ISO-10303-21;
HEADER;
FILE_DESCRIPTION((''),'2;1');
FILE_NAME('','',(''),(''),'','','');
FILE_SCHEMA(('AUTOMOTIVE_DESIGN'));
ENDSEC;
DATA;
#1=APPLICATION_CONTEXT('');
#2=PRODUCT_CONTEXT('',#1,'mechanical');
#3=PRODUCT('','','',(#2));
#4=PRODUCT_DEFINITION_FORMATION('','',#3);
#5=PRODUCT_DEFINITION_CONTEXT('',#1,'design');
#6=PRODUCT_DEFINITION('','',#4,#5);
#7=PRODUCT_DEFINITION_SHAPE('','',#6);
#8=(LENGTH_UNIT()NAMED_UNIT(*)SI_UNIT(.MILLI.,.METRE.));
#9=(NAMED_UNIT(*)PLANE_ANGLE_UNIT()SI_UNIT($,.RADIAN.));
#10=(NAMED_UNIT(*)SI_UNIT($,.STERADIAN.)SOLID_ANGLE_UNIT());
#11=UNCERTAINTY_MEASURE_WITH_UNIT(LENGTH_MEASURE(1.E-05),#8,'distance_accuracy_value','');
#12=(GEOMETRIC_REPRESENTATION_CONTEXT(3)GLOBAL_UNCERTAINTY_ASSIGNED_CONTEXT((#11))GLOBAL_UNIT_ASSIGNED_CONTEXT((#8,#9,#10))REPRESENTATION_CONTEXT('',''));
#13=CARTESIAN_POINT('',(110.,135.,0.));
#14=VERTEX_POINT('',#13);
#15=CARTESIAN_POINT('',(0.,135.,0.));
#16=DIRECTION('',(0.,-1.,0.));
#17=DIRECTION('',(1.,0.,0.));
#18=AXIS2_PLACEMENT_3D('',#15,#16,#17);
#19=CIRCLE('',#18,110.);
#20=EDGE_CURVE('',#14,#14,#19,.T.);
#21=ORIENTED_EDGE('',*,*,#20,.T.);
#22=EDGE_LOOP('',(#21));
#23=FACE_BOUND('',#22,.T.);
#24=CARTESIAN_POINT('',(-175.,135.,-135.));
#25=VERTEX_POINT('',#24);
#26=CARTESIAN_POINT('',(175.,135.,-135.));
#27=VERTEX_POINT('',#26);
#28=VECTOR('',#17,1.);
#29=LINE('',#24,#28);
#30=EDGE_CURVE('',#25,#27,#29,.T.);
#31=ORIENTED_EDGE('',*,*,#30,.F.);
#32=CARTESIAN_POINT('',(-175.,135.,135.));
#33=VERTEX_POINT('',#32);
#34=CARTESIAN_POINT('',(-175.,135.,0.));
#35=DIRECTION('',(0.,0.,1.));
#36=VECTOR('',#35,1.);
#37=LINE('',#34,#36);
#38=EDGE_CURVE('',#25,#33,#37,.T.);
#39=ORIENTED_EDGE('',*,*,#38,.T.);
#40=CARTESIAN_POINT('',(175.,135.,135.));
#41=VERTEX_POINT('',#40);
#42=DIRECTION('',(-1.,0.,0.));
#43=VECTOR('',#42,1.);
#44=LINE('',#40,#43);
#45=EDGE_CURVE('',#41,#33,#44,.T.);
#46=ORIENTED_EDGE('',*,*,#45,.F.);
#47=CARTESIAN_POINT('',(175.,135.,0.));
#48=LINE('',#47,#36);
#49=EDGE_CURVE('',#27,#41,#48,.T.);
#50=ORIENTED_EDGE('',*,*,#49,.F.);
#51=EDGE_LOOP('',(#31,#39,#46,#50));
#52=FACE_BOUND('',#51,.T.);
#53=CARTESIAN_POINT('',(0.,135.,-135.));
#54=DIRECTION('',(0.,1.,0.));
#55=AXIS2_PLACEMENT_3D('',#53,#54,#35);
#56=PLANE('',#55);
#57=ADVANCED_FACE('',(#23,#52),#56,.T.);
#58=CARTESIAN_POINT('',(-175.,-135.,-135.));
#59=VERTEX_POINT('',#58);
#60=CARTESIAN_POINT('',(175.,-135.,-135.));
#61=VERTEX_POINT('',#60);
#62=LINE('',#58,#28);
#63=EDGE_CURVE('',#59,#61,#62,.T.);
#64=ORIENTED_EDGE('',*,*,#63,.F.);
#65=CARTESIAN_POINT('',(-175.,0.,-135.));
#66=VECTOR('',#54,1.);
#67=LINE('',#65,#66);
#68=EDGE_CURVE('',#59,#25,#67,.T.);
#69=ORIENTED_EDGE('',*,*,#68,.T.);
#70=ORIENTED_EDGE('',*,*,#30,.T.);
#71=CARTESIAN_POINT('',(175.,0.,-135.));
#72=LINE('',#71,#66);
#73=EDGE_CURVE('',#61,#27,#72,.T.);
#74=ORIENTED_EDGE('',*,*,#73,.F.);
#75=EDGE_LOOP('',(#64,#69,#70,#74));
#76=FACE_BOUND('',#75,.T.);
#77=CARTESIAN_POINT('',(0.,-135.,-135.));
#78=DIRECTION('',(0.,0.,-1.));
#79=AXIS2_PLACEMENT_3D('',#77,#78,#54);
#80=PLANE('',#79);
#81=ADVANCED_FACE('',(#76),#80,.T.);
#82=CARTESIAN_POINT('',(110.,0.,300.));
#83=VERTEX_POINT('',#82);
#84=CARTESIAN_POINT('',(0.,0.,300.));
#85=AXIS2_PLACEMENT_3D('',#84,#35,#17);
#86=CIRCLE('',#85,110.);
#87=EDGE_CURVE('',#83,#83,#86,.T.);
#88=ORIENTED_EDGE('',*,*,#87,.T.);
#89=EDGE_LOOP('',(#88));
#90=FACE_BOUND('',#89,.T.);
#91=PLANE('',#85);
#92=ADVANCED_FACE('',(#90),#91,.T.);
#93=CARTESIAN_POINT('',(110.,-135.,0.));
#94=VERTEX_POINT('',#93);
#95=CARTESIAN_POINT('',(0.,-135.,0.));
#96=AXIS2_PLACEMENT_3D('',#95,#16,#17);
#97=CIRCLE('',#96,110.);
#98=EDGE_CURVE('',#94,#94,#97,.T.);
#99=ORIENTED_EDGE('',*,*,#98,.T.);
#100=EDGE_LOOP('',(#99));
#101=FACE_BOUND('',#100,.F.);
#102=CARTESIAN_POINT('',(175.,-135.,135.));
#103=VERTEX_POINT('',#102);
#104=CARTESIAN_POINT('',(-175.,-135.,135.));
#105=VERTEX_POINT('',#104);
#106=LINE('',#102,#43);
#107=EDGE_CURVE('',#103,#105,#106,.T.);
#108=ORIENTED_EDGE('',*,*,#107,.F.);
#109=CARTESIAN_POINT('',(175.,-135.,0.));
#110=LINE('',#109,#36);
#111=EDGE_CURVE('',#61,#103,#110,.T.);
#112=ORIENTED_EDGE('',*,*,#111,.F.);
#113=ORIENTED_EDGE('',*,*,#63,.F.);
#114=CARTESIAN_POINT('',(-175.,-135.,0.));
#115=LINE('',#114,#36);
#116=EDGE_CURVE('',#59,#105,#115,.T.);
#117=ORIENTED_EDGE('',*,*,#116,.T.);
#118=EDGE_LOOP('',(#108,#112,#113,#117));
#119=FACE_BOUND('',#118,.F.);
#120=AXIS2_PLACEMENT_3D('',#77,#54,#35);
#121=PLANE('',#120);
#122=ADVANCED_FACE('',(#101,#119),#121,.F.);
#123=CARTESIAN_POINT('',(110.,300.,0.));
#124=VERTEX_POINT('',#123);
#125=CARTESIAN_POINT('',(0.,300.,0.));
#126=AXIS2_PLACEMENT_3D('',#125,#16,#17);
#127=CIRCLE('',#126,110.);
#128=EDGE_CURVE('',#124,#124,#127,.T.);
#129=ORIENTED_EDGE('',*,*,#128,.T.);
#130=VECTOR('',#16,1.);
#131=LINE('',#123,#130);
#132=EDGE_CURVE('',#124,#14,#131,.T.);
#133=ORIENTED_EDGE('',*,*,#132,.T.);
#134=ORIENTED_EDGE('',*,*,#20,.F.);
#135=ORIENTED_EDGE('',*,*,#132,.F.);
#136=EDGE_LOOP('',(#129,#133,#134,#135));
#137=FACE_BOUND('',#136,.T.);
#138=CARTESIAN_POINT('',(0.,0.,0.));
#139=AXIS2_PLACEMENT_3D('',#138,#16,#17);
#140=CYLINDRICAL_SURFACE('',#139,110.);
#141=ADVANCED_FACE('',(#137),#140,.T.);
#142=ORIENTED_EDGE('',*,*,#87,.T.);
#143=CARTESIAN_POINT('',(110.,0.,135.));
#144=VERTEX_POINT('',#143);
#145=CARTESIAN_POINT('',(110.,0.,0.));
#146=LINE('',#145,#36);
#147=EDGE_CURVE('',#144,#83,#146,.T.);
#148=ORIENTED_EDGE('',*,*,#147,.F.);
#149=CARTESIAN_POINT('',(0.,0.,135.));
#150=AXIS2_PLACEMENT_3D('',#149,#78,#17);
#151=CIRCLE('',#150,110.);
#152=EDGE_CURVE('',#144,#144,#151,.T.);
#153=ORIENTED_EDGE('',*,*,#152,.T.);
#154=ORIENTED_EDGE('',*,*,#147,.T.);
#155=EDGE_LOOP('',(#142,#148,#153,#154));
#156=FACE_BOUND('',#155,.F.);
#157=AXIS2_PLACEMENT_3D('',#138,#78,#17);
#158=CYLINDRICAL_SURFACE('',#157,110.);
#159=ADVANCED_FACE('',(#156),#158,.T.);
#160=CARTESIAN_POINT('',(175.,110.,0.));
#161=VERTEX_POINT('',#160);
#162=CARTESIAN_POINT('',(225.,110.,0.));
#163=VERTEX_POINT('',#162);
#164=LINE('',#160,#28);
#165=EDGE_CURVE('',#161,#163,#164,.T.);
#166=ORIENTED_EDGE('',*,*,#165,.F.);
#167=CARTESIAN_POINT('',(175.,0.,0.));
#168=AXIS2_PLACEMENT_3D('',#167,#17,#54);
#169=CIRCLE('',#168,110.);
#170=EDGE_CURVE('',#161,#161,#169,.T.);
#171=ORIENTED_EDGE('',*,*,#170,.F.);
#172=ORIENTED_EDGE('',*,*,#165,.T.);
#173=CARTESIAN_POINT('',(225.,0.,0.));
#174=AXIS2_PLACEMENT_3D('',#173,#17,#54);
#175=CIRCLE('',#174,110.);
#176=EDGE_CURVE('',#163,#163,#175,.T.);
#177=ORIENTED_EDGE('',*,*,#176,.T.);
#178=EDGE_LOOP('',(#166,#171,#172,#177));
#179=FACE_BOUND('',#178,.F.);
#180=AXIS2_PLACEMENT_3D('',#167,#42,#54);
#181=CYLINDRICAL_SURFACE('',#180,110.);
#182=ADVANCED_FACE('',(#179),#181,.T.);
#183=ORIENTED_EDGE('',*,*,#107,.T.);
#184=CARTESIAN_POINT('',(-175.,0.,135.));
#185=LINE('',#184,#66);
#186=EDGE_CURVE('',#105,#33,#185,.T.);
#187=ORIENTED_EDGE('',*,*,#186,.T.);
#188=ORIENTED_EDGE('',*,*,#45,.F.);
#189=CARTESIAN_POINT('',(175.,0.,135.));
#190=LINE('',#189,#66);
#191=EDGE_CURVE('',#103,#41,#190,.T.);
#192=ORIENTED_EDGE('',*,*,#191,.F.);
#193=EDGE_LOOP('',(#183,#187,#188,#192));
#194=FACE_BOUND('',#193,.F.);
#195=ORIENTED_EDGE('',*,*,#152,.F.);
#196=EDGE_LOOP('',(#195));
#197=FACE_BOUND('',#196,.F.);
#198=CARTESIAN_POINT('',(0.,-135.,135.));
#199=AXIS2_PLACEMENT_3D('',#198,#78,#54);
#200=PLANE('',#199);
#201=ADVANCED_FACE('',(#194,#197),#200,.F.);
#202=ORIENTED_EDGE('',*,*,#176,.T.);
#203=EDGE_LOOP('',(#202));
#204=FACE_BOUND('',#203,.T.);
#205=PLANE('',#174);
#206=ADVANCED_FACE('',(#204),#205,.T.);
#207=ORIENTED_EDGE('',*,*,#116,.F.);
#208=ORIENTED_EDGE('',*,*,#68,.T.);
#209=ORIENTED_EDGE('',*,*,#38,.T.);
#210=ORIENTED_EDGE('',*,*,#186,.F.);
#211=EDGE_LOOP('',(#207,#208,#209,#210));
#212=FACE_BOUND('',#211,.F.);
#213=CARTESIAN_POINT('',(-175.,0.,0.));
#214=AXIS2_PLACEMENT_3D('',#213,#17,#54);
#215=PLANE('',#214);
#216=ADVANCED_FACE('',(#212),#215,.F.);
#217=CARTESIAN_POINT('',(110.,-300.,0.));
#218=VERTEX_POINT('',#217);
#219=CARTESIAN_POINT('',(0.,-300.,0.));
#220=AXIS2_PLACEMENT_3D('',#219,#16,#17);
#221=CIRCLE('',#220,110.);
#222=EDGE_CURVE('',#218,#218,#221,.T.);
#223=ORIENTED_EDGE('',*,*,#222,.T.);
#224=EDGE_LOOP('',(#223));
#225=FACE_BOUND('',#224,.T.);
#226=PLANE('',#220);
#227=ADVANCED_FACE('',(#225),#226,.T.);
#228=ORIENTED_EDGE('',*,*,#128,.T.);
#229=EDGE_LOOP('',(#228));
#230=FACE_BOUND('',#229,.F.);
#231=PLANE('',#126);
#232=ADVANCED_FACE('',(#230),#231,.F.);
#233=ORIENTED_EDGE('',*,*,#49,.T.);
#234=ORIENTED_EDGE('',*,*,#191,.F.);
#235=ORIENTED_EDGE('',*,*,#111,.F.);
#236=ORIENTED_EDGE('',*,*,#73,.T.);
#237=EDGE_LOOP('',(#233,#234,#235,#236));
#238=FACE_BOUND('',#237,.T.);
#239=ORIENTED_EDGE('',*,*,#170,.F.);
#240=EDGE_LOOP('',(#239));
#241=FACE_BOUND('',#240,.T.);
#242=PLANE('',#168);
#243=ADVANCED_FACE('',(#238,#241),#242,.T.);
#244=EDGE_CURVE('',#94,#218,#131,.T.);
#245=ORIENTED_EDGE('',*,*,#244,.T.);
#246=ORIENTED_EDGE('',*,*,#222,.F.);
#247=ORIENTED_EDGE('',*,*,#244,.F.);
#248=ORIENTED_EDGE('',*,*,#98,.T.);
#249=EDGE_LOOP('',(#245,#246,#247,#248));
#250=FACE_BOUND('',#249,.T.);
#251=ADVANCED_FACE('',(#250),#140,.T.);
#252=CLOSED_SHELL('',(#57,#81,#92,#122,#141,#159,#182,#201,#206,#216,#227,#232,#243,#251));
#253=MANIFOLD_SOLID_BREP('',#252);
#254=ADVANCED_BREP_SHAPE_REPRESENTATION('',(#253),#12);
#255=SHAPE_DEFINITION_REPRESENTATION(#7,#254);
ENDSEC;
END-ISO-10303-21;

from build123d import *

# Parameters (mm, degrees)
F0_R     = 110
F1_DEPTH = 300
F2_R     = 110
F3_DEPTH = 300
F4_W     = 270
F4_H     = 270
F5_DEPTH = 175
F6_R     = 110
F7_DEPTH = 50


with BuildPart() as f1:
    # F0 (on Front) → F1 (new body, symmetric)
    with BuildSketch(Plane.XZ):
        Circle(F0_R)
    extrude(amount=F1_DEPTH, both=True)

    # F2 (on Top) → F3 (join)
    with BuildSketch(Plane.XY):
        Circle(F2_R)
    extrude(amount=F3_DEPTH)

    # F4 (on Right) → F5 (join, symmetric)
    with BuildSketch(Plane.YZ):
        Rectangle(F4_W, F4_H)
    extrude(amount=F5_DEPTH, both=True)

    # F6 (on face) → F7 (join)
    with BuildSketch(Plane.YZ.offset(175)):
        Circle(F6_R)
    extrude(amount=F7_DEPTH)


solid = f1.part
